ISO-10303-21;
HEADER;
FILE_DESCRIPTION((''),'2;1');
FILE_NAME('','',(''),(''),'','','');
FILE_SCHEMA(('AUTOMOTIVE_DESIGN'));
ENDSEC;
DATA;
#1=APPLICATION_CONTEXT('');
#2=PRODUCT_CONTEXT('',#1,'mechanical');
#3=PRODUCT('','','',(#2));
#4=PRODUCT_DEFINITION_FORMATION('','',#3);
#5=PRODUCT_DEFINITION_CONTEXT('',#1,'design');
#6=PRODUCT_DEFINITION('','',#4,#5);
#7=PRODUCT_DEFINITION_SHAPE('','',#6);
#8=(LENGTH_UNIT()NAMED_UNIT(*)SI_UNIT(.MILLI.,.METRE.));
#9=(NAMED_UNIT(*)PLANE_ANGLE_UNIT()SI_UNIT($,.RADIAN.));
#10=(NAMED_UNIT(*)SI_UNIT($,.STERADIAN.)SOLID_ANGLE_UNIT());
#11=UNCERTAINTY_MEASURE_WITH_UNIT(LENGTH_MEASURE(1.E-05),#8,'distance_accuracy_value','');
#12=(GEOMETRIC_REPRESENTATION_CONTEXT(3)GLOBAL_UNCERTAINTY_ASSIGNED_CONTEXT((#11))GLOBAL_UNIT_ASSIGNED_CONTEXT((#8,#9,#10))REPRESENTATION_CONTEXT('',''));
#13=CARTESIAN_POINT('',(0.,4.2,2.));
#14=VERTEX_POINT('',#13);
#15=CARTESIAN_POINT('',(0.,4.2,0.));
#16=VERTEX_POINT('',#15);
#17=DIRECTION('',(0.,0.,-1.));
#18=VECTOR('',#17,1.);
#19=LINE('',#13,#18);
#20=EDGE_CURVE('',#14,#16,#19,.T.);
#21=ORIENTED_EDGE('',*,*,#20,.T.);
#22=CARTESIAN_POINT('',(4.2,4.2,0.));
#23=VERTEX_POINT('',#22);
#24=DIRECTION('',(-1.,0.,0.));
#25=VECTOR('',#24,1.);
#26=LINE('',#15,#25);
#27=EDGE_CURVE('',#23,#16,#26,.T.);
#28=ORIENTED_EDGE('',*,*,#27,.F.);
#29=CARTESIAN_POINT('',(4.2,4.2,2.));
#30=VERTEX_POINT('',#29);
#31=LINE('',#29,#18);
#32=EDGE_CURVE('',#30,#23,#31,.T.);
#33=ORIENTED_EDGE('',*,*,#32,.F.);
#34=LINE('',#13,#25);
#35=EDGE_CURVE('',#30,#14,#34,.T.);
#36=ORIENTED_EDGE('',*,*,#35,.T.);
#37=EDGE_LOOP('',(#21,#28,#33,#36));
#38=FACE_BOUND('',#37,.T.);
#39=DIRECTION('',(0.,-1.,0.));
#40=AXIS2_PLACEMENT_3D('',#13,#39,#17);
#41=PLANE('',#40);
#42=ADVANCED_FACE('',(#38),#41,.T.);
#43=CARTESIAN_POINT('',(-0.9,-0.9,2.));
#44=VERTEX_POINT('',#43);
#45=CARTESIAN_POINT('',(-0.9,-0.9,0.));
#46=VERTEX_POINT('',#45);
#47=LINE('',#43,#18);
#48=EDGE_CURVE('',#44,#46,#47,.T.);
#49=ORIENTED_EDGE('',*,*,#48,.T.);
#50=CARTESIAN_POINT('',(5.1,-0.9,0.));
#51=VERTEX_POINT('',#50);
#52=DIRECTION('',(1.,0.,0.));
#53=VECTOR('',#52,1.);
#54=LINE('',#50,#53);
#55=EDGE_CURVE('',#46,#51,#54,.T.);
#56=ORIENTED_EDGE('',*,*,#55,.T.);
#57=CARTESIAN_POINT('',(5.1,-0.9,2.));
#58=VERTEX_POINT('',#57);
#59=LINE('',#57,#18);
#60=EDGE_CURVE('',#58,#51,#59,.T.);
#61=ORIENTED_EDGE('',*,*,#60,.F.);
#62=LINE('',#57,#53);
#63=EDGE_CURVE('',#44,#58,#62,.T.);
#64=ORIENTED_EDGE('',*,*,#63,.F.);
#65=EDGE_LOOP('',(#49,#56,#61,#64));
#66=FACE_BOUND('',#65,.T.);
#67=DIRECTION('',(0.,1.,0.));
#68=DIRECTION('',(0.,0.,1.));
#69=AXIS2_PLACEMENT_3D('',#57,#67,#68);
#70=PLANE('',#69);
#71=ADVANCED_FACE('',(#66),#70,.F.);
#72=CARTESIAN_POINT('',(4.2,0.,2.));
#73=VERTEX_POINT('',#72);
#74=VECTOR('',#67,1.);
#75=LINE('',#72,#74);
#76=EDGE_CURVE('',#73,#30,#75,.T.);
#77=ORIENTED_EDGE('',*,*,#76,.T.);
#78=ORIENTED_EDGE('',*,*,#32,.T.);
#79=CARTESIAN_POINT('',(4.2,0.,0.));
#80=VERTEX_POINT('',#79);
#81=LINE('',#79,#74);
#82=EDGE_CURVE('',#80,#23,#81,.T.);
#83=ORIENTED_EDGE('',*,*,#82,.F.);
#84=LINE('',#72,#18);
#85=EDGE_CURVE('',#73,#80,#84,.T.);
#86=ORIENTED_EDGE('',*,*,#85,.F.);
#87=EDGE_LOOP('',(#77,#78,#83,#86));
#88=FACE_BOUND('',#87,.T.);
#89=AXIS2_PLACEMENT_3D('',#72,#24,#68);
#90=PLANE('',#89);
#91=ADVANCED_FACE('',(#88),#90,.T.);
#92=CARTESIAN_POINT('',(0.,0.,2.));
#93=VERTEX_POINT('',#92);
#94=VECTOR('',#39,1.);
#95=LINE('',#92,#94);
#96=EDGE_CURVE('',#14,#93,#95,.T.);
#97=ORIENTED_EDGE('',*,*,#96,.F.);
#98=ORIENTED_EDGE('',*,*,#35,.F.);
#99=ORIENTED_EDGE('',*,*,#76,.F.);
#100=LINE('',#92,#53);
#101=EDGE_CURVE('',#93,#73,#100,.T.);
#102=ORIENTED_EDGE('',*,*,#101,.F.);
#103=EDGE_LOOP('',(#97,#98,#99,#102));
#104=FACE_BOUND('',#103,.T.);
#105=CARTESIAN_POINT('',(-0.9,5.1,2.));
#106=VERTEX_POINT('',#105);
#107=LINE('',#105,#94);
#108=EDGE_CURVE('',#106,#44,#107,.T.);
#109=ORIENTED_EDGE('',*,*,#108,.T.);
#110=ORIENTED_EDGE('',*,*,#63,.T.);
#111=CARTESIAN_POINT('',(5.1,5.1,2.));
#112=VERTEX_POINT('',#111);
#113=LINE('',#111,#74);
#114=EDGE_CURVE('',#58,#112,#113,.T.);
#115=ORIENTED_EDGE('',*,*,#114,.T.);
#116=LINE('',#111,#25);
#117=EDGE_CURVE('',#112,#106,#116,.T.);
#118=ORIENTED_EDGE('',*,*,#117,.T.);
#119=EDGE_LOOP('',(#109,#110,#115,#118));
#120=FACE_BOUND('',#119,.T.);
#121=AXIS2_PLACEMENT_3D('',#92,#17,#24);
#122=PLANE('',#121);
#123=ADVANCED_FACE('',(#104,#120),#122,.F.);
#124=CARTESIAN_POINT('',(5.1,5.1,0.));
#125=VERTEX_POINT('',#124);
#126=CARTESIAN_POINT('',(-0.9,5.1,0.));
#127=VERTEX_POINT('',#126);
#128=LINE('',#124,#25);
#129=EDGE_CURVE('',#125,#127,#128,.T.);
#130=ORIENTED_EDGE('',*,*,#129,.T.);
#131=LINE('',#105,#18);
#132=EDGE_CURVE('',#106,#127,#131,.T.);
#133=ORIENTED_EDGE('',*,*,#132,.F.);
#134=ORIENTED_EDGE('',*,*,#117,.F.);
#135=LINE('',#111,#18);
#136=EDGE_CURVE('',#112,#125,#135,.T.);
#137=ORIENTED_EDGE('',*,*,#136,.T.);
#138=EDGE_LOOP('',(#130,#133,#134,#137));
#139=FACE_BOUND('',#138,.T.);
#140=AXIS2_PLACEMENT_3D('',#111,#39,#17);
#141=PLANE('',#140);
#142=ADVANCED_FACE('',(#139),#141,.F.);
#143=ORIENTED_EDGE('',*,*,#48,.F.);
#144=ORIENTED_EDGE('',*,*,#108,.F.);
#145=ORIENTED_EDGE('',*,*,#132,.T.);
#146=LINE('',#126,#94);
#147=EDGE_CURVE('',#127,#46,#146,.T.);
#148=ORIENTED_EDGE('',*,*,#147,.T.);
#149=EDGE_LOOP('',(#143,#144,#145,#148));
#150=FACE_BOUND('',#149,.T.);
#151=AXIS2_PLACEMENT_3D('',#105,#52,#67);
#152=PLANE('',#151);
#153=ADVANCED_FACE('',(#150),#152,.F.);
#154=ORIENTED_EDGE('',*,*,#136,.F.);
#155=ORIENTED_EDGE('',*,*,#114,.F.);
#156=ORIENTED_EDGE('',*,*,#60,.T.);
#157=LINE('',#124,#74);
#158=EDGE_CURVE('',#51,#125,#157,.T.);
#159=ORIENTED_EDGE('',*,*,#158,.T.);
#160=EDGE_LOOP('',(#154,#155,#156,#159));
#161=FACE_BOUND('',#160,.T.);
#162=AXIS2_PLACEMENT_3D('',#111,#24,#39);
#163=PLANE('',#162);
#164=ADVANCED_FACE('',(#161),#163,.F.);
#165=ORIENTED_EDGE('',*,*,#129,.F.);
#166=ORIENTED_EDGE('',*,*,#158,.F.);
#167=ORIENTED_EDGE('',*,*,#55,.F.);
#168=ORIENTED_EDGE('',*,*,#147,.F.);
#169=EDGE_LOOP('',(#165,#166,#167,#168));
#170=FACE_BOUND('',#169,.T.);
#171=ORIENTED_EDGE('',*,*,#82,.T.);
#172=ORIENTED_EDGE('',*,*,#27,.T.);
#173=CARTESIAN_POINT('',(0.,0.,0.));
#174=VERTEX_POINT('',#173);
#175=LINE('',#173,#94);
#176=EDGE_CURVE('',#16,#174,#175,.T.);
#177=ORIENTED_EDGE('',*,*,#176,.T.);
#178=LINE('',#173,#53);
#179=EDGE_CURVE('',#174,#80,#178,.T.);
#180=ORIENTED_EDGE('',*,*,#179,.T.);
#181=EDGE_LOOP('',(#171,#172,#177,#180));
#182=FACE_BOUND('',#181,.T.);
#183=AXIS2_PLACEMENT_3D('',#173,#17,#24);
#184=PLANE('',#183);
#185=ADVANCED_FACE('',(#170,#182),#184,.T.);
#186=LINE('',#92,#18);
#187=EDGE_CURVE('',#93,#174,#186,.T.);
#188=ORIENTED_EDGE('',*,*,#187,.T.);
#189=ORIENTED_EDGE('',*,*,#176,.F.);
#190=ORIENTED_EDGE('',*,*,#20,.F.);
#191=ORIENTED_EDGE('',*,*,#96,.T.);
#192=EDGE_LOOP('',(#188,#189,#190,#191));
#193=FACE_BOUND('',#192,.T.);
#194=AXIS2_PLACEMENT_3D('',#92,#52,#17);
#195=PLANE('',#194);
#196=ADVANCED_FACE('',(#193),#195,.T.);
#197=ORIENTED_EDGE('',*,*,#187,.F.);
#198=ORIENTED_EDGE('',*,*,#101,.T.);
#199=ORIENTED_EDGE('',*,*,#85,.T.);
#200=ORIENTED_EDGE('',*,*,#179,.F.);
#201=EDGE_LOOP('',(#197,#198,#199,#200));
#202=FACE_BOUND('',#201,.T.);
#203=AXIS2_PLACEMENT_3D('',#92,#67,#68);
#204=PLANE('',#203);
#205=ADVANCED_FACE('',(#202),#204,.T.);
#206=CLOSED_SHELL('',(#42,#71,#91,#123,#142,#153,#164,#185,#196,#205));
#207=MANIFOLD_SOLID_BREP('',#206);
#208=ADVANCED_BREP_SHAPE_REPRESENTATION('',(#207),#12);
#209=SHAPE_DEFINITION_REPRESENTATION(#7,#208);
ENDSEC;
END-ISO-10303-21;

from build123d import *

# Parameters (mm, degrees)
SKETCH1_W           = 6
SKETCH1_H           = 6
SKETCH1_W_2         = 4.2
SKETCH1_H_2         = 4.2
BOSS_EXTRUDE1_DEPTH = 2


with BuildPart() as part:
    # Sketch1 → Boss-Extrude1 (new body)
    with BuildSketch(Plane.XY):
        with Locations((2.1, 2.1)):
            Rectangle(SKETCH1_W, SKETCH1_H)
        with Locations((2.1, 2.1)):
            Rectangle(SKETCH1_W_2, SKETCH1_H_2, mode=Mode.SUBTRACT)
    extrude(amount=BOSS_EXTRUDE1_DEPTH)


solid = part.part
